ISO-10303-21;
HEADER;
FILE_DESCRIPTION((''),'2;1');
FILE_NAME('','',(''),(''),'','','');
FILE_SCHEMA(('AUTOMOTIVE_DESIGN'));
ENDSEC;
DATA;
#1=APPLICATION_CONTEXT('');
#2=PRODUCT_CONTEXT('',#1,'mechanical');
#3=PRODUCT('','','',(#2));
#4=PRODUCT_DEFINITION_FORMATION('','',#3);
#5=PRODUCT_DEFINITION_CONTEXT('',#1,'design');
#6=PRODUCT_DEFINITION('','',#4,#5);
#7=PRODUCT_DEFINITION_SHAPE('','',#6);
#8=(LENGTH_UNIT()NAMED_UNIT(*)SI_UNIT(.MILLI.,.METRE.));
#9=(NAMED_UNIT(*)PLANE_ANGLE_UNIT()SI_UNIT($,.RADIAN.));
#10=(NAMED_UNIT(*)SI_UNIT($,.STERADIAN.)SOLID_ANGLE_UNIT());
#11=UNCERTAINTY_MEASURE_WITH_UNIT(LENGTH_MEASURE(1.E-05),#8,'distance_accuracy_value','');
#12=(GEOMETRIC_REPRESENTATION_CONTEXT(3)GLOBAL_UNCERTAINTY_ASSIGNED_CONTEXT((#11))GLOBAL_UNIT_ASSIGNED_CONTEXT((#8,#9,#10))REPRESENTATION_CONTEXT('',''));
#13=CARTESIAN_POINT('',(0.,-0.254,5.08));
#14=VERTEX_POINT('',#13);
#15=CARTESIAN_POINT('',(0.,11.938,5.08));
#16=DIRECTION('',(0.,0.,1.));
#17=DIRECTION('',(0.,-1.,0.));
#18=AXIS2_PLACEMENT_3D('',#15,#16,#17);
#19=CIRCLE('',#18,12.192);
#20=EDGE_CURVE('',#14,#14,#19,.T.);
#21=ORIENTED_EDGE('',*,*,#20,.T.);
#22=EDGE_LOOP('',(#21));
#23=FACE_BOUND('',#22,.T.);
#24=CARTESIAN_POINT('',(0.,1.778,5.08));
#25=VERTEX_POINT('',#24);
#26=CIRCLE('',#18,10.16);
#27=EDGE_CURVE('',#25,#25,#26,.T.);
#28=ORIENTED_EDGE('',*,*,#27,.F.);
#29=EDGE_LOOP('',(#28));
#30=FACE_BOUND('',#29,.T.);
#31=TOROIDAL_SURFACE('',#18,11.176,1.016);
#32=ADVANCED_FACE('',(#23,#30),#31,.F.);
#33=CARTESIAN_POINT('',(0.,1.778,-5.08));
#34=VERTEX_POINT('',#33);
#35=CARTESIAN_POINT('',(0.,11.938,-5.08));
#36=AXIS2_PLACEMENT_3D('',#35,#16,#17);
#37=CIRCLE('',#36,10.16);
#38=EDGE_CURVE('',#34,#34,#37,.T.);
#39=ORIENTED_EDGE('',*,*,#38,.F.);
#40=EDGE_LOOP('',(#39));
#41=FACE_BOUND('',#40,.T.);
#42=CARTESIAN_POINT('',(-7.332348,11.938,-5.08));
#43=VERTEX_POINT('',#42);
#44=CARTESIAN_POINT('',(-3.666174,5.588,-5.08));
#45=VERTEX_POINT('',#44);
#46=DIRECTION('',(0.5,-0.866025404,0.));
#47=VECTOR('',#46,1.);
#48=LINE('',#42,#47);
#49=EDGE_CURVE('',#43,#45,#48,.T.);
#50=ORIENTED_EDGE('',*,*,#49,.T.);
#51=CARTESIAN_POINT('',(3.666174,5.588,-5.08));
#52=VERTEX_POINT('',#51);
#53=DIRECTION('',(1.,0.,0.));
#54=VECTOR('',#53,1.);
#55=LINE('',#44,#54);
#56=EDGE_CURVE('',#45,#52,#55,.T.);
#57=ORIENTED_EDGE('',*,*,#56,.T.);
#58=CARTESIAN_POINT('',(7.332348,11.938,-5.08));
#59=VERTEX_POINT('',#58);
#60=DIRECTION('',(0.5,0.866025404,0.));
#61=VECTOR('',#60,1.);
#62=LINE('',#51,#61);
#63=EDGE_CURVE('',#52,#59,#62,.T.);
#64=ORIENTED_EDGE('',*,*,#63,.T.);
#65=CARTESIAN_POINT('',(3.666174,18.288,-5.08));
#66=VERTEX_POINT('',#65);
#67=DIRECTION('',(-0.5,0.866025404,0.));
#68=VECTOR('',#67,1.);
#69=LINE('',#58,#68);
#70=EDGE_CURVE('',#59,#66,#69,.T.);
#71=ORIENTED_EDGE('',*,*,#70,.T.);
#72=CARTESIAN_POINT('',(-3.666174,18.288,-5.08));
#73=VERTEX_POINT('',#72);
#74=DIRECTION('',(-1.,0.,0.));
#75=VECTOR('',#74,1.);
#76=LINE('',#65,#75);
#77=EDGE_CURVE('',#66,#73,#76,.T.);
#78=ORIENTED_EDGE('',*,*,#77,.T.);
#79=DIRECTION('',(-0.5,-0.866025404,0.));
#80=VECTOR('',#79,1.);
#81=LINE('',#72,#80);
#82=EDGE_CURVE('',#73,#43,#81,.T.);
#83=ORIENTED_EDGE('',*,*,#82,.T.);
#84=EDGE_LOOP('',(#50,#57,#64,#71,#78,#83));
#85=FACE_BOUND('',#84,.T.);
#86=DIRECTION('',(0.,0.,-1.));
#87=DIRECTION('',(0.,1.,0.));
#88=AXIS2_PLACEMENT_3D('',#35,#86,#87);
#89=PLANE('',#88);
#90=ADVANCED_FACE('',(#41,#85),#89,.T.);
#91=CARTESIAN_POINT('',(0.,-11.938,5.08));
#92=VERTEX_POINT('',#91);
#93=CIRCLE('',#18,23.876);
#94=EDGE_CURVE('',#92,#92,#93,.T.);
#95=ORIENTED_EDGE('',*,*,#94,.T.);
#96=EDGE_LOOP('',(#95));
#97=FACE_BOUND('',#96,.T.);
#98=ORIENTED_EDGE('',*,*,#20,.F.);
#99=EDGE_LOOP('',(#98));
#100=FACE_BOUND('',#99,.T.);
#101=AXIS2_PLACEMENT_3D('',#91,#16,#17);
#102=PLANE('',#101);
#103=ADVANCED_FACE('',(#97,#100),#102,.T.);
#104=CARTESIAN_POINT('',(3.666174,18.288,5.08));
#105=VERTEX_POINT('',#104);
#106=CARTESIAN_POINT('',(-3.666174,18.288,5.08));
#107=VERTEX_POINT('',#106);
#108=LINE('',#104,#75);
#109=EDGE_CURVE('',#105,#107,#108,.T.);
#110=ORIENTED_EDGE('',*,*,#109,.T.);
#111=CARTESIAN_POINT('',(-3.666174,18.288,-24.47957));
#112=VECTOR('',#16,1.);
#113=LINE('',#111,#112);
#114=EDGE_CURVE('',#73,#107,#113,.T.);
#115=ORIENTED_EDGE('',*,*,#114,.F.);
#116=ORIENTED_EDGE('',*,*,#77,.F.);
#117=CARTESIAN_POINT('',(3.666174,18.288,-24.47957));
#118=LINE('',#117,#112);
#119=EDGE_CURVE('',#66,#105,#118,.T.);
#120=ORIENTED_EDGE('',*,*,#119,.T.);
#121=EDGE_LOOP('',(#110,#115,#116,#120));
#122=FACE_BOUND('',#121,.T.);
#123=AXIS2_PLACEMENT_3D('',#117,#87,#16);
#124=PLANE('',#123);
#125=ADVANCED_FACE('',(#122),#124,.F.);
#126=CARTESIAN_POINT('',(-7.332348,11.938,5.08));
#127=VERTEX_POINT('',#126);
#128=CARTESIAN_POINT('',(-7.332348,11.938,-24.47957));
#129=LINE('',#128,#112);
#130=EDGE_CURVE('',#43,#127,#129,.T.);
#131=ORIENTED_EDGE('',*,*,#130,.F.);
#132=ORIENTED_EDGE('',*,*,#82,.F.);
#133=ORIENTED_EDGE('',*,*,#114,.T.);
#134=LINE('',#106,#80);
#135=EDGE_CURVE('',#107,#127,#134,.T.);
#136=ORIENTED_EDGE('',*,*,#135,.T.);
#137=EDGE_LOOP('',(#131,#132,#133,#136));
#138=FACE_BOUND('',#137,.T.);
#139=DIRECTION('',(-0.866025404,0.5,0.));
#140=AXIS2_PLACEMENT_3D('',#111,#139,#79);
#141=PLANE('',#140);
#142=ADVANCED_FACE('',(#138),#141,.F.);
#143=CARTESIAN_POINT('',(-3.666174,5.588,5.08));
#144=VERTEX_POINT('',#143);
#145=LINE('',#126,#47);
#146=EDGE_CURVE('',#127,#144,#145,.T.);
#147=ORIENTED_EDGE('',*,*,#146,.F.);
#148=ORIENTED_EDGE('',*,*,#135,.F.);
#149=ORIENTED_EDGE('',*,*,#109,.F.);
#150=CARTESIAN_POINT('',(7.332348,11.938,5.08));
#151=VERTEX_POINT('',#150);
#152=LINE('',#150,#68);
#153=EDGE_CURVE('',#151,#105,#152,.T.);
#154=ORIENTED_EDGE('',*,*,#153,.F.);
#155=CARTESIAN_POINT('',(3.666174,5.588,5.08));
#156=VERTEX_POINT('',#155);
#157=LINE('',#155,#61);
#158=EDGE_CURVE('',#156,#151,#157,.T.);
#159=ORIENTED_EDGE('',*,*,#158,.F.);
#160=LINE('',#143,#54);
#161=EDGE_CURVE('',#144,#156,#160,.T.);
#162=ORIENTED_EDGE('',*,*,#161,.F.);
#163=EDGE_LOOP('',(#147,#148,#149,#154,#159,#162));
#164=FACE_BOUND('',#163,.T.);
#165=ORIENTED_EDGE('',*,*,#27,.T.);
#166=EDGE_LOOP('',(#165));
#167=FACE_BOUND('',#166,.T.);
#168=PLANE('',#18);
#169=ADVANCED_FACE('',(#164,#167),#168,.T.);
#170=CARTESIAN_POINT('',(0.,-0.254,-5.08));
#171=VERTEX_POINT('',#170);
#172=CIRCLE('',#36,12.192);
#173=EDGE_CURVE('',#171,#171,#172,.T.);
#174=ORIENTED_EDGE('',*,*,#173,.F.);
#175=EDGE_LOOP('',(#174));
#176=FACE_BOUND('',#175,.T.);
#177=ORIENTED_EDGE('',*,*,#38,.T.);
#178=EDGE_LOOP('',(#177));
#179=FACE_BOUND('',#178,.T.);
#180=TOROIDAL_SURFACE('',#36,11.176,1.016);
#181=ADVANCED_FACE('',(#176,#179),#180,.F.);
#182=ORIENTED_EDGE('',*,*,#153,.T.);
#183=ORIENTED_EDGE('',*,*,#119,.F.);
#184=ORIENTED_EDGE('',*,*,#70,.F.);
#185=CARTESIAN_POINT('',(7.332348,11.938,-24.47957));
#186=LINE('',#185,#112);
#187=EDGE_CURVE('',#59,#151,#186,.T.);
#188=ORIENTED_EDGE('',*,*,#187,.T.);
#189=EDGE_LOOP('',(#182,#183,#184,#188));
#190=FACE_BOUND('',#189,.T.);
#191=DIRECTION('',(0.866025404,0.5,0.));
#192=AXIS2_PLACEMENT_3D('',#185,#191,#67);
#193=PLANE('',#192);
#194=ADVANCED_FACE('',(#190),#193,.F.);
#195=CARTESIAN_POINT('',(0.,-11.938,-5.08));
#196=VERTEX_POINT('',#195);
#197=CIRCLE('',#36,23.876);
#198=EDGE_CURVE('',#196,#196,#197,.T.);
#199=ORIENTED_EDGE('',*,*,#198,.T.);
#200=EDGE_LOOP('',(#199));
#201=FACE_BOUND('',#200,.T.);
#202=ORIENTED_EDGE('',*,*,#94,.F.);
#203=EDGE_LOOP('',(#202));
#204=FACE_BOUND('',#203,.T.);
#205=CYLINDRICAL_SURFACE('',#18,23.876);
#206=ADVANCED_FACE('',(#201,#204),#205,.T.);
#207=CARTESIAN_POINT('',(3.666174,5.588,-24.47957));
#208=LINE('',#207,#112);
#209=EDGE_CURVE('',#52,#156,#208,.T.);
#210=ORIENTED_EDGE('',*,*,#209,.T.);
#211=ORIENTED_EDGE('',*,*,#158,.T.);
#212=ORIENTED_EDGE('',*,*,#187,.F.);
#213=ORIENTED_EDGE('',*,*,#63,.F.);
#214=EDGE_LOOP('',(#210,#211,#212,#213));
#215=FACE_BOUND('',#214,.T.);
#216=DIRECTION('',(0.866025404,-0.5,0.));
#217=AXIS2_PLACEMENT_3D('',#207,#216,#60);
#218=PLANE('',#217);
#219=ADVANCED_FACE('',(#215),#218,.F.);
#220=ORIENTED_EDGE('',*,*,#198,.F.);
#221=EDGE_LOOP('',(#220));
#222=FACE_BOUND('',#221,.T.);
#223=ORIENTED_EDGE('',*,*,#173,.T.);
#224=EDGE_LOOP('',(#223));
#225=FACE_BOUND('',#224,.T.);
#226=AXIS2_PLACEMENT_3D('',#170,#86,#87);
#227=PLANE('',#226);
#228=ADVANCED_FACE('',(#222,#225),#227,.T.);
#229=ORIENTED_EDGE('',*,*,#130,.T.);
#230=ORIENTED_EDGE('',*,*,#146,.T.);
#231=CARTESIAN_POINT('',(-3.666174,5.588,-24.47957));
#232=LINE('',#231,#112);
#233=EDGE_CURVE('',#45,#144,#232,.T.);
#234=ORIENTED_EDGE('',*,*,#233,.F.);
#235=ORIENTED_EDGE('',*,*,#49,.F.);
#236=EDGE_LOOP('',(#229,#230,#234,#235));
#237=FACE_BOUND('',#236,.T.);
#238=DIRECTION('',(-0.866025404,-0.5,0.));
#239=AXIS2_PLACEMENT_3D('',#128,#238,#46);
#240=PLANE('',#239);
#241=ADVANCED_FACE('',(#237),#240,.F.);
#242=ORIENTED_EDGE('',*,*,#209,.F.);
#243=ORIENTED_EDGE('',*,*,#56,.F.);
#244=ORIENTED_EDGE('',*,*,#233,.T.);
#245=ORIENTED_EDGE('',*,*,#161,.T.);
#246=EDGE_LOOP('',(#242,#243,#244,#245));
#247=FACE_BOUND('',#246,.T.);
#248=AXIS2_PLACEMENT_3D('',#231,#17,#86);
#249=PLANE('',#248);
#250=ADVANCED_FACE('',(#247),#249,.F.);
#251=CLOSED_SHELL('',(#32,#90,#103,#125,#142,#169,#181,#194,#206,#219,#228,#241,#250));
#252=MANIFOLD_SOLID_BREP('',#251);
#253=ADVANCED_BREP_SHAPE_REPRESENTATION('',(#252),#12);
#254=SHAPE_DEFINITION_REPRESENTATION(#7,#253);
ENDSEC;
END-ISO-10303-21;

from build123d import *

# Parameters (mm, degrees)
CUT_EXTRUDE1_DEPTH = 10.16


with BuildPart() as part:
    # Sketch1 → Revolve1 (revolve)
    with BuildSketch(Plane(origin=(0, 0, 0), x_dir=(0, 0, -1), z_dir=(1, 0, 0))):
        with BuildLine():
            Line((-5.08, -11.938), (5.08, -11.938))
            Line((5.08, -11.938), (5.08, -0.254))
            ThreePointArc((5.08, -0.254), (4.064, 0.762), (5.08, 1.778))
            Line((5.08, 1.778), (5.08, 11.938))
            Line((5.08, 11.938), (-5.08, 11.938))
            Line((-5.08, 11.938), (-5.08, 1.778))
            ThreePointArc((-5.08, 1.778), (-4.064, 0.762), (-5.08, -0.254))
            Line((-5.08, -0.254), (-5.08, -11.938))
        make_face()
    revolve(axis=Axis((0, 11.938, 5.08), (0, 0, -1)))

    # Sketch2 → Cut-Extrude1 (cut)
    with BuildSketch(Plane.XY.offset(5.08)):
        Polygon((7.332348419, 11.938), (3.666174209, 18.288), (-3.666174209, 18.288), (-7.332348419, 11.938), (-3.666174209, 5.588), (3.666174209, 5.588), align=None)
    extrude(amount=-CUT_EXTRUDE1_DEPTH, mode=Mode.SUBTRACT)


solid = part.part
